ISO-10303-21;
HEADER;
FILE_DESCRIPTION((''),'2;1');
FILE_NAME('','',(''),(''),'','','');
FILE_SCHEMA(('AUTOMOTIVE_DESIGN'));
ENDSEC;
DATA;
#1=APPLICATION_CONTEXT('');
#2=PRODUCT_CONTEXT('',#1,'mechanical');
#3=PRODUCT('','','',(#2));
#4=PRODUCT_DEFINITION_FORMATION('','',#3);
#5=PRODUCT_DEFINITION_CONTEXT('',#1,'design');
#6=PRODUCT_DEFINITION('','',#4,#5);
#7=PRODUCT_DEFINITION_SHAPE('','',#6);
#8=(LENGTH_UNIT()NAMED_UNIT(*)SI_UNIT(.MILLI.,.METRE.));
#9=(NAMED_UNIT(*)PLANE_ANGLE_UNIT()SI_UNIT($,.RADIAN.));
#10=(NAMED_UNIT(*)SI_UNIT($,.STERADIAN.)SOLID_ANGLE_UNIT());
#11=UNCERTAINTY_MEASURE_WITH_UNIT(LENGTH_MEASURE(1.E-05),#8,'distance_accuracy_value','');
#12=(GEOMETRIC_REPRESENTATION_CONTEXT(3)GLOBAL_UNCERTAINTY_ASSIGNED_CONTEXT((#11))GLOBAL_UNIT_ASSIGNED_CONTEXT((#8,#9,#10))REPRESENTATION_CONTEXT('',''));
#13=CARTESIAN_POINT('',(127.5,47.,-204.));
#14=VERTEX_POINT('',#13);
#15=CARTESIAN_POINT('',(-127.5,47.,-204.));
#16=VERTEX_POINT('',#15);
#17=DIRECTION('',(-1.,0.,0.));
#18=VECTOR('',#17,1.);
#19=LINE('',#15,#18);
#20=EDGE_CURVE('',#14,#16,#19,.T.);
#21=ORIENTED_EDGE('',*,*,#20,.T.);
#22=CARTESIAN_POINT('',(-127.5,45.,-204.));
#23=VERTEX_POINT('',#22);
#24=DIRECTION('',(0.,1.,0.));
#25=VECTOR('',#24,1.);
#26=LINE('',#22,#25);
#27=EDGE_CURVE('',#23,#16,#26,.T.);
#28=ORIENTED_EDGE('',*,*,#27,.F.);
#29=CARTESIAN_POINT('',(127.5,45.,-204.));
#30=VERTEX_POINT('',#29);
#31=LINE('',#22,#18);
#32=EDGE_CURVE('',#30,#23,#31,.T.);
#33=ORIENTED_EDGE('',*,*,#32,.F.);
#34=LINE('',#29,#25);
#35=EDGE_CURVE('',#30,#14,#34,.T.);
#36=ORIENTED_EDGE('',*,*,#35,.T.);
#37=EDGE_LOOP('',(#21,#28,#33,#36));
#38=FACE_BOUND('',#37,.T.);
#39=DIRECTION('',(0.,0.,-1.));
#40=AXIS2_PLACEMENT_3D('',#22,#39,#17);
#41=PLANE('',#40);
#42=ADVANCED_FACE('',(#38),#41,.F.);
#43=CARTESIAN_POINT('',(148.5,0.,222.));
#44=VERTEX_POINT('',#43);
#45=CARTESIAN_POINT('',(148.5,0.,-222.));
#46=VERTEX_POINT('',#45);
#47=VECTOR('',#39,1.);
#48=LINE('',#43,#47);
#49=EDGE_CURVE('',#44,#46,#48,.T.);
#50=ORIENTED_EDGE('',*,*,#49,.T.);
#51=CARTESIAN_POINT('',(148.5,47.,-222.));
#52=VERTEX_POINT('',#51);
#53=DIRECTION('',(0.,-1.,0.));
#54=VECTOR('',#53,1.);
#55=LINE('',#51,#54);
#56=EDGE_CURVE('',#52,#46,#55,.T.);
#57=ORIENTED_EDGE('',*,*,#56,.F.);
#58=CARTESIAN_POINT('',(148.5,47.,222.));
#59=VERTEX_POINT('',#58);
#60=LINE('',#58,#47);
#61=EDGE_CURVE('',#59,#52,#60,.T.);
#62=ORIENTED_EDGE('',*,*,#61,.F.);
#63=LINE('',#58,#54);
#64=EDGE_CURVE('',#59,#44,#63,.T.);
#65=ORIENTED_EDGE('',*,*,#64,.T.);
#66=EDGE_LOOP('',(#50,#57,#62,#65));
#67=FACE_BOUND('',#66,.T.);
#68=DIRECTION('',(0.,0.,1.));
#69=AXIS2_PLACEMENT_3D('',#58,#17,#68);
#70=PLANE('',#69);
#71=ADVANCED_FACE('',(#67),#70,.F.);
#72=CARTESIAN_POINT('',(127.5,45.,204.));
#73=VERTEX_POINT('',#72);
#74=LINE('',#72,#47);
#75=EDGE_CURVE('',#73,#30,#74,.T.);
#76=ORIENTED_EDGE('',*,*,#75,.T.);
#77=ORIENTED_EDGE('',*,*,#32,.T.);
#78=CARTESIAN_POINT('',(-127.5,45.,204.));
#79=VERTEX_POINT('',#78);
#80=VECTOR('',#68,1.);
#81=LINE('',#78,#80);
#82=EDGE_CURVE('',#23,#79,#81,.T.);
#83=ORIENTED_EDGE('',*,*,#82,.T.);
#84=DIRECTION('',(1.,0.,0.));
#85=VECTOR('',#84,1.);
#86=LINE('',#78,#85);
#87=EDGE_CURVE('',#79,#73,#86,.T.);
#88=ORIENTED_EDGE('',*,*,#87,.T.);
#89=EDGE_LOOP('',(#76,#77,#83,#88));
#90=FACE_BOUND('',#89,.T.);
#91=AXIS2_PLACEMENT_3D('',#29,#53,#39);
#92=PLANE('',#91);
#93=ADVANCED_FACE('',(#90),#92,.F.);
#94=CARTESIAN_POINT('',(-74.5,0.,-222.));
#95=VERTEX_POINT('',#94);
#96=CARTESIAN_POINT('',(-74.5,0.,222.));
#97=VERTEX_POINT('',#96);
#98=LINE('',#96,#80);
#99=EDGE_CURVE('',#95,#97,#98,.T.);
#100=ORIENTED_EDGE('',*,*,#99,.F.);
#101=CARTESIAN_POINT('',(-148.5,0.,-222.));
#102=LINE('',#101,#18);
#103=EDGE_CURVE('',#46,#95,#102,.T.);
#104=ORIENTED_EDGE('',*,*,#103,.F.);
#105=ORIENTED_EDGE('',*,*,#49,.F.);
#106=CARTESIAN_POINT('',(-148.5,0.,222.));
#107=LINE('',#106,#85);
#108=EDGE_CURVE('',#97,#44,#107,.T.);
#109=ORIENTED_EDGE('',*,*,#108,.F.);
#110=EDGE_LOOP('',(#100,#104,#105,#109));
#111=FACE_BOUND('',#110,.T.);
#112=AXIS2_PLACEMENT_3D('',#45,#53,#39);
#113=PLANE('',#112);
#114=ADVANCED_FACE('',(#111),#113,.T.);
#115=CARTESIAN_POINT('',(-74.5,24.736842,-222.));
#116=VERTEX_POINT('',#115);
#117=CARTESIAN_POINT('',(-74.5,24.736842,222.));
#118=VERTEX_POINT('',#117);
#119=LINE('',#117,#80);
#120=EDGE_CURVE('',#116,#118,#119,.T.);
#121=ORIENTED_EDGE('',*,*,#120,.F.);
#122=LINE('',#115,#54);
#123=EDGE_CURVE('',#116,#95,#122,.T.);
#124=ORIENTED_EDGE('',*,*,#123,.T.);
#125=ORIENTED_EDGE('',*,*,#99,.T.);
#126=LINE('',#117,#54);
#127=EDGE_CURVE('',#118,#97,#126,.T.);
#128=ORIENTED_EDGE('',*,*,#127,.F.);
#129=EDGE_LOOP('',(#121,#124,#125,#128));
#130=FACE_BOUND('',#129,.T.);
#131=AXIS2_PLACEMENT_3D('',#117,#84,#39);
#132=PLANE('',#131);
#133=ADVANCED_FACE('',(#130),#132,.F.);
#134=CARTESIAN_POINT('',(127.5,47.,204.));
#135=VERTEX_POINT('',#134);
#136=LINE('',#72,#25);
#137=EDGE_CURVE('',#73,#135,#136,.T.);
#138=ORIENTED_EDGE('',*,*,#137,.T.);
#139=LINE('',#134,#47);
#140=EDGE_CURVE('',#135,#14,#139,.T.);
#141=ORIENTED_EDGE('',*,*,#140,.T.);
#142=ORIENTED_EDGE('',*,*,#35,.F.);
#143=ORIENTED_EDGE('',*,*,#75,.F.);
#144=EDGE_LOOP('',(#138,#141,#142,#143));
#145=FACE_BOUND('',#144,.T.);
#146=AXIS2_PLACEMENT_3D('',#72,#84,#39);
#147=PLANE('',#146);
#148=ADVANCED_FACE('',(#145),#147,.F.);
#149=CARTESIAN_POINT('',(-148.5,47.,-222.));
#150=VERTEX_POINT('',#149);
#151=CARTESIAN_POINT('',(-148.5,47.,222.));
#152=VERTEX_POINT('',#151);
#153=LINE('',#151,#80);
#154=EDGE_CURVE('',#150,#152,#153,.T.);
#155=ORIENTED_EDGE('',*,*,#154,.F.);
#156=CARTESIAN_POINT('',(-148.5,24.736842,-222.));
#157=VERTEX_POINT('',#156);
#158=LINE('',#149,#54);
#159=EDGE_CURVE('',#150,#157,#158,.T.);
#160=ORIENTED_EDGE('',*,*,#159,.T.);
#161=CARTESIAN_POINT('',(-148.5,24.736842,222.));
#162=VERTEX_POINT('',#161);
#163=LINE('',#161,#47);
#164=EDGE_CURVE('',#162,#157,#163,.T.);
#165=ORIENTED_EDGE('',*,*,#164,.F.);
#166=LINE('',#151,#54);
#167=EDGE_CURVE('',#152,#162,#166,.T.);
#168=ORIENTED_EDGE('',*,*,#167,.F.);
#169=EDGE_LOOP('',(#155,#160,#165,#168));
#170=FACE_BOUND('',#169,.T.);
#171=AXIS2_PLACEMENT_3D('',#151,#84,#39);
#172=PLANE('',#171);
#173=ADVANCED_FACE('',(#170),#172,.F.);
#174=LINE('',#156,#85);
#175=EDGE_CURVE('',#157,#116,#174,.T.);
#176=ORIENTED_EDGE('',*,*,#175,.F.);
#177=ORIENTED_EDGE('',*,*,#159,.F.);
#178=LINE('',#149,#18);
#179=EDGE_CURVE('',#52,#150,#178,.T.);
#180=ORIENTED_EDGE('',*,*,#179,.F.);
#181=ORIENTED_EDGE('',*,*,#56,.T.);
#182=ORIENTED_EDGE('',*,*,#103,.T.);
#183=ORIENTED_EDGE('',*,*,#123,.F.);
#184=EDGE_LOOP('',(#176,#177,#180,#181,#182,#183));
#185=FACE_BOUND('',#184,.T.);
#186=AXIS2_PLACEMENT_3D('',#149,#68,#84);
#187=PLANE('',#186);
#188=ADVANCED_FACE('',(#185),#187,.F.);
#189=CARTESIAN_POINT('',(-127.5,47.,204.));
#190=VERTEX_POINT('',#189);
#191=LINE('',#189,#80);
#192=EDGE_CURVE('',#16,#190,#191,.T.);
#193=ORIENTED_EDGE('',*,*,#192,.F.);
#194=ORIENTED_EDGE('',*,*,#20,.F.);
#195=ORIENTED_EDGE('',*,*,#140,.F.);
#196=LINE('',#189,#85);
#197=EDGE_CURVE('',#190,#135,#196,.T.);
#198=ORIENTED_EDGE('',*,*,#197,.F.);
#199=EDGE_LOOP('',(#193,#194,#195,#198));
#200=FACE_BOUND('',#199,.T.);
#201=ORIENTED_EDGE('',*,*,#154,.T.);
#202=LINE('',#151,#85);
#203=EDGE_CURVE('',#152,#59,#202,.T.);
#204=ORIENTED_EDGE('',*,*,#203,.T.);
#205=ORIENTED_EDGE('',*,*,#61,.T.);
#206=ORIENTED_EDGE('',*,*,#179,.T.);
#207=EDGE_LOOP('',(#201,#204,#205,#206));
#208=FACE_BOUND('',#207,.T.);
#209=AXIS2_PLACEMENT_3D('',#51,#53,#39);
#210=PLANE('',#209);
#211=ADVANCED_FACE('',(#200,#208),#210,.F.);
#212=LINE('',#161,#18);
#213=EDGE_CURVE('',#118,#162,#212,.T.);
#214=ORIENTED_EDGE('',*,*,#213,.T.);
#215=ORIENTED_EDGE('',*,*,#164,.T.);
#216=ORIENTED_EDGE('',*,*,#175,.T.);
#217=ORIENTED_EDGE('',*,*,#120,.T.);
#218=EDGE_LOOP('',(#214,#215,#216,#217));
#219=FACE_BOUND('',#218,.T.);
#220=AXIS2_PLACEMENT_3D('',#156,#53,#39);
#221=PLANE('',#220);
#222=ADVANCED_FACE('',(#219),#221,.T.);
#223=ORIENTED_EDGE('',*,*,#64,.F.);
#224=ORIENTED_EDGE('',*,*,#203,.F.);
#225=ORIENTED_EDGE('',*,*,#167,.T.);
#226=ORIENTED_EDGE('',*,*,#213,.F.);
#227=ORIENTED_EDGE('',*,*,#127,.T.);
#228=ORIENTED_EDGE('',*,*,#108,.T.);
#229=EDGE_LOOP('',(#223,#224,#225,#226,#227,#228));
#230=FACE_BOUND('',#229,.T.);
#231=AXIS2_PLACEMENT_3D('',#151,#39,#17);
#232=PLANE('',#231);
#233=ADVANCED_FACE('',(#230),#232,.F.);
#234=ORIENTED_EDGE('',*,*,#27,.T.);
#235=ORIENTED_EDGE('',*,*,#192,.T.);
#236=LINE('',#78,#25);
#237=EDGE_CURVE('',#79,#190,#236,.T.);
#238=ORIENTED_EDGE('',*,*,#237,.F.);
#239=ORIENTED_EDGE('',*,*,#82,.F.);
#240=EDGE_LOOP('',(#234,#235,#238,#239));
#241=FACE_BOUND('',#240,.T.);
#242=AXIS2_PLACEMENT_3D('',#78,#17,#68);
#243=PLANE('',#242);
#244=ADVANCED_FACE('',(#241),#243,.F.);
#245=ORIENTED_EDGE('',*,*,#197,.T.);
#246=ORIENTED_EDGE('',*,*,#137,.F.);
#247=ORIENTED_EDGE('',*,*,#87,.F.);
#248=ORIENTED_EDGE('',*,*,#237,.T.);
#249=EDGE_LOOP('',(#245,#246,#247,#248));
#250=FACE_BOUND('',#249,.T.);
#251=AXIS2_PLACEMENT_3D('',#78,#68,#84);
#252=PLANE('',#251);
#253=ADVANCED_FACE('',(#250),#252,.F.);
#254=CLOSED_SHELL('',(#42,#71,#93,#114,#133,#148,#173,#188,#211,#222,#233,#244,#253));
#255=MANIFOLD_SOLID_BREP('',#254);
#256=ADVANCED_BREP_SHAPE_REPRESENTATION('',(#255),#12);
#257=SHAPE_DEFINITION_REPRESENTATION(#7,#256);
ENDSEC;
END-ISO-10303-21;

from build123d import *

# Parameters (mm, degrees)
SKETCH_1_W          = 297
SKETCH_1_H          = 444
EXTRUDE_1_DEPTH     = 47
SKETCH_2_W          = 255
SKETCH_2_H          = 408
CUT_EXTRUDE_1_DEPTH = 2
SKETCH_3_W          = 74
SKETCH_3_H          = 444
CUT_EXTRUDE_2_DEPTH = 24.736842105


with BuildPart() as part:
    # 草圖1 → 填料-伸長1 (new body)
    with BuildSketch(Plane(origin=(0, 0, 0), x_dir=(1, 0, 0), z_dir=(0, 1, 0))):
        Rectangle(SKETCH_1_W, SKETCH_1_H)
    extrude(amount=EXTRUDE_1_DEPTH)

    # 草圖2 → 除料-伸長1 (cut)
    with BuildSketch(Plane(origin=(0, 47, 0), x_dir=(1, 0, 0), z_dir=(0, 1, 0))):
        Rectangle(SKETCH_2_W, SKETCH_2_H)
    extrude(amount=-CUT_EXTRUDE_1_DEPTH, mode=Mode.SUBTRACT)

    # 草圖3 → 除料-伸長2 (cut)
    with BuildSketch(Plane.XZ):
        with Locations((-111.5, 0)):
            Rectangle(SKETCH_3_W, SKETCH_3_H)
    extrude(amount=-CUT_EXTRUDE_2_DEPTH, mode=Mode.SUBTRACT)


solid = part.part
